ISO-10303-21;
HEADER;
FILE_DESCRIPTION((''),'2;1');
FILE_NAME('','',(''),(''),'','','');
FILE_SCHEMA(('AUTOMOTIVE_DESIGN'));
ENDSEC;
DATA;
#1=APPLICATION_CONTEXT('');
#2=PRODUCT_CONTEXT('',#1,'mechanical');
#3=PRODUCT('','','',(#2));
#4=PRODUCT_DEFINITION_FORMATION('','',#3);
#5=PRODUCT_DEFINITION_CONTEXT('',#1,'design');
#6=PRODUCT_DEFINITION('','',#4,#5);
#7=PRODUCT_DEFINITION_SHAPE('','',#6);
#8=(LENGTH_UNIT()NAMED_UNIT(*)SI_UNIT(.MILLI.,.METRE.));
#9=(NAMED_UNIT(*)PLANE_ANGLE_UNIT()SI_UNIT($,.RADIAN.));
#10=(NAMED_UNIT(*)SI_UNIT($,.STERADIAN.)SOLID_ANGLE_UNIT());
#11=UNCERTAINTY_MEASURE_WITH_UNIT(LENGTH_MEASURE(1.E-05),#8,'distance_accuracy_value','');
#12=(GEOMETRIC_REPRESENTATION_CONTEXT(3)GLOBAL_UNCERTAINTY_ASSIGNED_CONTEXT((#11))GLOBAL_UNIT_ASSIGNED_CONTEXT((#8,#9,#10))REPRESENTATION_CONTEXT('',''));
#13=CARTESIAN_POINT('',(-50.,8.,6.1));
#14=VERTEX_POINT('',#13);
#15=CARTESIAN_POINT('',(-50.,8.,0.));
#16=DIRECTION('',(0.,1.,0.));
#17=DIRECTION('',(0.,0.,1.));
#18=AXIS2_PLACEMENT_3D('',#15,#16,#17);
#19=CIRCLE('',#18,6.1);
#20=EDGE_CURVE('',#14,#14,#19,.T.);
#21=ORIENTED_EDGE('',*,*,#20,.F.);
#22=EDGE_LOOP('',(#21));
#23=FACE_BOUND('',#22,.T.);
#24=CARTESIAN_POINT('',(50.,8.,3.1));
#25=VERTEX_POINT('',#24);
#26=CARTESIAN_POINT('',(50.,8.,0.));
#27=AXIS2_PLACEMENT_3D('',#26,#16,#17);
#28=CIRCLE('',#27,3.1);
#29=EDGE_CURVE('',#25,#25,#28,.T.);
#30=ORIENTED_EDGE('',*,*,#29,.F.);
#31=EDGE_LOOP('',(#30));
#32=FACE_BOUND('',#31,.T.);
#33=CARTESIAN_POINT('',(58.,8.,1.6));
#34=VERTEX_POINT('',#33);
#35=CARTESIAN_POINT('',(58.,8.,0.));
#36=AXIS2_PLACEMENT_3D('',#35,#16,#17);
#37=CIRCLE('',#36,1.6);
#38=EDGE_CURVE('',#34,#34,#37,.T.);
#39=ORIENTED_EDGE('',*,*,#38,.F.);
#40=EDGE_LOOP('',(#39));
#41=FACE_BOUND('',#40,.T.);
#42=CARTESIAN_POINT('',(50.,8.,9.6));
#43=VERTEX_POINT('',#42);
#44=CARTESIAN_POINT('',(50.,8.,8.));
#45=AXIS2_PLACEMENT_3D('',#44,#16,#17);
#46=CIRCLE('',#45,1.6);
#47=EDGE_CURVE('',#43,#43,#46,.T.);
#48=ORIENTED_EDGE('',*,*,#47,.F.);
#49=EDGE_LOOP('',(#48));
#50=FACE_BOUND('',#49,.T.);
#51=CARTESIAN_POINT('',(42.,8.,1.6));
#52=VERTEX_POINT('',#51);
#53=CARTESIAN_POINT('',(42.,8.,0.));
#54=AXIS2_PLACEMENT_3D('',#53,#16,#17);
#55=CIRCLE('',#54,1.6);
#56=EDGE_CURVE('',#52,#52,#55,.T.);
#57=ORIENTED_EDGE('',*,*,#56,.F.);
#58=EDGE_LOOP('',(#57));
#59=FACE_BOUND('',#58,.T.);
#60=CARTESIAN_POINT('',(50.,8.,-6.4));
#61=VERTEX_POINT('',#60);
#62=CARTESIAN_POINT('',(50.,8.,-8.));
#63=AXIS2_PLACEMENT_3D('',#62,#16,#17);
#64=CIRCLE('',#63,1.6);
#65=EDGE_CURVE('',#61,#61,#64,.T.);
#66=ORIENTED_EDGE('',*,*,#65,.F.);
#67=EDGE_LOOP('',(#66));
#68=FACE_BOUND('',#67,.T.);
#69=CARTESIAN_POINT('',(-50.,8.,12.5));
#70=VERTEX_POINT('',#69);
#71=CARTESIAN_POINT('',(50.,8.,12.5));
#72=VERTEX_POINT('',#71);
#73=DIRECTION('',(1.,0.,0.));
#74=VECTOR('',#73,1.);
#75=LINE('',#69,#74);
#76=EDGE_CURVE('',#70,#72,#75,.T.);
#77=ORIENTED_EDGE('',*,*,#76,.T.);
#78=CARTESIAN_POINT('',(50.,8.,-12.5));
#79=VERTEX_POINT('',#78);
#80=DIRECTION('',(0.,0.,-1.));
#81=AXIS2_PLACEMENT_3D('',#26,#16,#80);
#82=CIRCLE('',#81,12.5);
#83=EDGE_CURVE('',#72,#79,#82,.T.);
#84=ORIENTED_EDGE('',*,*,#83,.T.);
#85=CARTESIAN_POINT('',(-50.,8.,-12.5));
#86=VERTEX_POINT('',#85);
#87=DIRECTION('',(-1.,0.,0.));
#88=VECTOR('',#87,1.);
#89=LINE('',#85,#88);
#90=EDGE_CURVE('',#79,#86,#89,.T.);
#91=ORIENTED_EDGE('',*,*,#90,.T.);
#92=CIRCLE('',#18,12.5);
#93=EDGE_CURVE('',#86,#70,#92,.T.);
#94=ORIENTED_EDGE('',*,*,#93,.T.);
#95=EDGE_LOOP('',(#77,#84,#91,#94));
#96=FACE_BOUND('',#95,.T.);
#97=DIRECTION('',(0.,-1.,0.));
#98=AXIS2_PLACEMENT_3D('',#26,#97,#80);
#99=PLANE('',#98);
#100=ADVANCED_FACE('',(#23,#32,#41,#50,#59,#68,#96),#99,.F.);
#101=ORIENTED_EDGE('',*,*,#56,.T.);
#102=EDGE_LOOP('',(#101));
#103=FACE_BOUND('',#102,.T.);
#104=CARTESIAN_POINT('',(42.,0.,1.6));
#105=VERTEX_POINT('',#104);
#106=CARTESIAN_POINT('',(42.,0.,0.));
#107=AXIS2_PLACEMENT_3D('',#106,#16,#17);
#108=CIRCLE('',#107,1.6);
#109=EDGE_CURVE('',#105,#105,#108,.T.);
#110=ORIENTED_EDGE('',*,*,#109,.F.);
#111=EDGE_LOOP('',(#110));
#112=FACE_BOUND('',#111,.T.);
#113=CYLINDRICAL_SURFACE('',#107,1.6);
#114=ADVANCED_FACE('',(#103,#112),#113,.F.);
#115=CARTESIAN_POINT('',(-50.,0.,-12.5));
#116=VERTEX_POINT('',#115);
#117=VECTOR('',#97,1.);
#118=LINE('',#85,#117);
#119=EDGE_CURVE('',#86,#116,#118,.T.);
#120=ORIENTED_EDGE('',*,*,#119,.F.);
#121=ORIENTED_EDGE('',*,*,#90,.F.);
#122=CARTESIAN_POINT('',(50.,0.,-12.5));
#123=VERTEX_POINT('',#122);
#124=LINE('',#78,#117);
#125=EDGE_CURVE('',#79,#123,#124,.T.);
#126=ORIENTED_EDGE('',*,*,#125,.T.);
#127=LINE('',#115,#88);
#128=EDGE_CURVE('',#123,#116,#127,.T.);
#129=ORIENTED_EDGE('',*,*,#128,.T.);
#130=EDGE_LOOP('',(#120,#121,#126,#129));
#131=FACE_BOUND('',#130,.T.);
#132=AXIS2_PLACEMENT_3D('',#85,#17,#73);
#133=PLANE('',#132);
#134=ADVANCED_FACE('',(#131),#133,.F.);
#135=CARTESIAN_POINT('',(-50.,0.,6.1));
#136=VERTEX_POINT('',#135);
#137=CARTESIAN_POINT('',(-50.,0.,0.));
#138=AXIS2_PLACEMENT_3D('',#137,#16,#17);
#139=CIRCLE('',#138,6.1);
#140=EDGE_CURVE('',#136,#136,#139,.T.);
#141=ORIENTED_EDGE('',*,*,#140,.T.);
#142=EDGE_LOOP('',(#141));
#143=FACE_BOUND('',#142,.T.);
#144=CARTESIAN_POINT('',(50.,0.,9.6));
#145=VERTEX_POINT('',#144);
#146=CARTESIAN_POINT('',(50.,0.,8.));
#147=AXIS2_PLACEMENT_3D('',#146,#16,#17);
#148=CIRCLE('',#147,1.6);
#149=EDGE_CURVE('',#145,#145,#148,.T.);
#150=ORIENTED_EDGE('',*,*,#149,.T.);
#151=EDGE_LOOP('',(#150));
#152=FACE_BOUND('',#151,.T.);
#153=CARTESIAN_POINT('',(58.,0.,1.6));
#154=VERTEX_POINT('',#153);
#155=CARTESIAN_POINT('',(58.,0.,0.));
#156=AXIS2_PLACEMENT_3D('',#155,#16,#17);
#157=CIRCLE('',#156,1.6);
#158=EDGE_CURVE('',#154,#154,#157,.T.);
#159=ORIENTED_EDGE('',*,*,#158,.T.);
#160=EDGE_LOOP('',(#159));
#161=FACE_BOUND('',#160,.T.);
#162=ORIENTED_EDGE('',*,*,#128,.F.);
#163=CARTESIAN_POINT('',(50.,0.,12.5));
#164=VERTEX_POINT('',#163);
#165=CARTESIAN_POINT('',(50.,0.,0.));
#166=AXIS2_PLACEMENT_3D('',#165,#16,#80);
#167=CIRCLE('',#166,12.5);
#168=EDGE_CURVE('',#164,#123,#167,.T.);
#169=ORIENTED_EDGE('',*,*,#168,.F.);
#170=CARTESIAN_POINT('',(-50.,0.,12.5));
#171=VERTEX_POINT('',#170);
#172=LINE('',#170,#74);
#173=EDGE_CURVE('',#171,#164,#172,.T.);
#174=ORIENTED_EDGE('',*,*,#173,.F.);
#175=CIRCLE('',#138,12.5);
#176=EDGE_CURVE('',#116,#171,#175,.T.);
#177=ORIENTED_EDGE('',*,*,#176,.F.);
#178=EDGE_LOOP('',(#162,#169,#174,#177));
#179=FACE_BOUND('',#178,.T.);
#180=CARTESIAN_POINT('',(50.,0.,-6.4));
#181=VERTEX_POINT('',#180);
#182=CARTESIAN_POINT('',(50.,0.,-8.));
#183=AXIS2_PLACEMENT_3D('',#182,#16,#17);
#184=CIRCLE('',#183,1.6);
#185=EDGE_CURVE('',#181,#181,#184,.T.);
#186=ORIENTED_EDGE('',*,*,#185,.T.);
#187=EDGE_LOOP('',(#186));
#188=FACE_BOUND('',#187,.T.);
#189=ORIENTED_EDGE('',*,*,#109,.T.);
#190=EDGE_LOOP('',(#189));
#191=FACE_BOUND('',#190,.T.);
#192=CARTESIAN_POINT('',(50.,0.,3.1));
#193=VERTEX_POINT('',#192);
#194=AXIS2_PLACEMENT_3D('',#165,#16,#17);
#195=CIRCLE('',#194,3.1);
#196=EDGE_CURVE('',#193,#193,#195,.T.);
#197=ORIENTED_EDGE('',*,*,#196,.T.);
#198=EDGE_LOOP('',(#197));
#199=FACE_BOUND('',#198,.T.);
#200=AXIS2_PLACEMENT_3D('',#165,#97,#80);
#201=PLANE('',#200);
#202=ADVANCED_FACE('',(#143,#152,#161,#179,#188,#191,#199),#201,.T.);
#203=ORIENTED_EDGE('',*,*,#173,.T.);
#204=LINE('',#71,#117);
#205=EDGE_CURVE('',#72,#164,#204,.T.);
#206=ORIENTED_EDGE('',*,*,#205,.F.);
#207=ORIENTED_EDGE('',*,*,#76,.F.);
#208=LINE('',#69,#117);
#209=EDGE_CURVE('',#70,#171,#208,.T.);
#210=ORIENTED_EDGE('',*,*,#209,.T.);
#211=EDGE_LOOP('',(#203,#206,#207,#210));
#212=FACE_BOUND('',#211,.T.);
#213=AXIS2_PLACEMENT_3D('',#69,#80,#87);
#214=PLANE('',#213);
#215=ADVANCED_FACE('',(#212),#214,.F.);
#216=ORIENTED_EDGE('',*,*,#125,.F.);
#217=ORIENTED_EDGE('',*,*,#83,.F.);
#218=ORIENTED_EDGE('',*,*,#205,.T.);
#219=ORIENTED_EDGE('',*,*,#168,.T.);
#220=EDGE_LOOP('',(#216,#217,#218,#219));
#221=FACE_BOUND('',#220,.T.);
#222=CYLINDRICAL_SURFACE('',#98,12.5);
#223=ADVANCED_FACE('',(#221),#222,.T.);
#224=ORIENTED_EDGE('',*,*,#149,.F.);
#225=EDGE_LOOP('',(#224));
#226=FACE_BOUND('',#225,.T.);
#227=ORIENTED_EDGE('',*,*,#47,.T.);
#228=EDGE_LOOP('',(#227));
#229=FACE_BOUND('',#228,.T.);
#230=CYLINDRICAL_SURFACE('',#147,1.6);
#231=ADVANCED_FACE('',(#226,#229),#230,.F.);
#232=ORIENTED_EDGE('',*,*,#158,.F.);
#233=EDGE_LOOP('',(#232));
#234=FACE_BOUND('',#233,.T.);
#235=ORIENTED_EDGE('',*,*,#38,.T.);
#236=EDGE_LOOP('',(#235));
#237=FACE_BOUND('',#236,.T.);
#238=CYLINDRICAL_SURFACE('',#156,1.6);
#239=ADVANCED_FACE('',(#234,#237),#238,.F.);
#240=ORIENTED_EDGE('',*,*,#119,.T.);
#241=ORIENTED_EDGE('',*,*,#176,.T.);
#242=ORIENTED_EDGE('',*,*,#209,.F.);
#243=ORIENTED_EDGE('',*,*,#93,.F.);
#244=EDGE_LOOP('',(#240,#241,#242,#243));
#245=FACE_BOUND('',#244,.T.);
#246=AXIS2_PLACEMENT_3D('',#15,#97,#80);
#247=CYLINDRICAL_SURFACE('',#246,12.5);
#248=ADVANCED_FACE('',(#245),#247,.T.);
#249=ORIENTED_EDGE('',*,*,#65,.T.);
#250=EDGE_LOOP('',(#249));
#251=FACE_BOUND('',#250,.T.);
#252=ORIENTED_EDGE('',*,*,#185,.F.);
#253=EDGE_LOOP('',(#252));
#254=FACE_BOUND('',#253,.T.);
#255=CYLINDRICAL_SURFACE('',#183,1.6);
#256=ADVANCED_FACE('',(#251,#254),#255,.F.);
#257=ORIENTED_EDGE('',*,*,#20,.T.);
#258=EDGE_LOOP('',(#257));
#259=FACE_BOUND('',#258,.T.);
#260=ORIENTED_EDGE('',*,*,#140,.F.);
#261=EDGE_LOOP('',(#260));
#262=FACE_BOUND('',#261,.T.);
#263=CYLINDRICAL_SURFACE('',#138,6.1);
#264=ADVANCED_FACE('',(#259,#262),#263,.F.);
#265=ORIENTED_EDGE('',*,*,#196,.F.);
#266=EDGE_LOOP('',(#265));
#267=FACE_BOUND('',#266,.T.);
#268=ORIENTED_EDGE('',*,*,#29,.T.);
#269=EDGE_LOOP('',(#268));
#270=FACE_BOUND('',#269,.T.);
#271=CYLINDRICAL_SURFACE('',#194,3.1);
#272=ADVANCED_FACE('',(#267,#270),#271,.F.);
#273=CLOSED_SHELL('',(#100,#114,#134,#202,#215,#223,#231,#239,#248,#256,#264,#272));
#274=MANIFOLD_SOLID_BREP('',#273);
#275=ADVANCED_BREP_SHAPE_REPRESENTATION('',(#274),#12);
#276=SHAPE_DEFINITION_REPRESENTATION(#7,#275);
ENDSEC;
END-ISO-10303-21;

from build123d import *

# Parameters (mm, degrees)
EXTRUDE_1_DEPTH     = 8
SKETCH_3_R          = 3.1
SKETCH_3_R_2        = 1.6
CUT_EXTRUDE_1_DEPTH = 65.237839316
SKETCH_4_R          = 6.1
CUT_EXTRUDE_2_DEPTH = 65.237839316


with BuildPart() as part:
    # 草图1 → 凸台-拉伸1 (new body)
    with BuildSketch(Plane(origin=(0, 0, 0), x_dir=(1, 0, 0), z_dir=(0, 1, 0))):
        with BuildLine():
            Line((-50, -12.5), (50, -12.5))
            ThreePointArc((50, -12.5), (62.5, 0), (50, 12.5))
            Line((50, 12.5), (-50, 12.5))
            ThreePointArc((-50, 12.5), (-62.5, 0), (-50, -12.5))
        make_face()
    extrude(amount=EXTRUDE_1_DEPTH)

    # 草图3 → 切除-拉伸1 (cut, through all)
    with BuildSketch(Plane(origin=(0, 8, 0), x_dir=(1, 0, 0), z_dir=(0, 1, 0))):
        with Locations(Location((-50, 0, 0), (0, 0, 270))):
            Circle(SKETCH_3_R)
        with Locations(Location((50, 8, 0), (0, 0, 270))):
            Circle(SKETCH_3_R_2)
        with Locations(Location((58, 0, 0), (0, 0, 270))):
            Circle(SKETCH_3_R_2)
        with Locations(Location((50, -8, 0), (0, 0, 270))):
            Circle(SKETCH_3_R_2)
        with Locations(Location((42, 0, 0), (0, 0, 270))):
            Circle(SKETCH_3_R_2)
        with Locations(Location((50, 0, 0), (0, 0, 270))):
            Circle(SKETCH_3_R)
    extrude(amount=-CUT_EXTRUDE_1_DEPTH, mode=Mode.SUBTRACT)

    # 草图4 → 切除-拉伸2 (cut, through all)
    with BuildSketch(Plane(origin=(0, 8, 0), x_dir=(1, 0, 0), z_dir=(0, 1, 0))):
        with Locations(Location((-50, 0, 0), (0, 0, 270))):
            Circle(SKETCH_4_R)
    extrude(amount=-CUT_EXTRUDE_2_DEPTH, mode=Mode.SUBTRACT)


solid = part.part
